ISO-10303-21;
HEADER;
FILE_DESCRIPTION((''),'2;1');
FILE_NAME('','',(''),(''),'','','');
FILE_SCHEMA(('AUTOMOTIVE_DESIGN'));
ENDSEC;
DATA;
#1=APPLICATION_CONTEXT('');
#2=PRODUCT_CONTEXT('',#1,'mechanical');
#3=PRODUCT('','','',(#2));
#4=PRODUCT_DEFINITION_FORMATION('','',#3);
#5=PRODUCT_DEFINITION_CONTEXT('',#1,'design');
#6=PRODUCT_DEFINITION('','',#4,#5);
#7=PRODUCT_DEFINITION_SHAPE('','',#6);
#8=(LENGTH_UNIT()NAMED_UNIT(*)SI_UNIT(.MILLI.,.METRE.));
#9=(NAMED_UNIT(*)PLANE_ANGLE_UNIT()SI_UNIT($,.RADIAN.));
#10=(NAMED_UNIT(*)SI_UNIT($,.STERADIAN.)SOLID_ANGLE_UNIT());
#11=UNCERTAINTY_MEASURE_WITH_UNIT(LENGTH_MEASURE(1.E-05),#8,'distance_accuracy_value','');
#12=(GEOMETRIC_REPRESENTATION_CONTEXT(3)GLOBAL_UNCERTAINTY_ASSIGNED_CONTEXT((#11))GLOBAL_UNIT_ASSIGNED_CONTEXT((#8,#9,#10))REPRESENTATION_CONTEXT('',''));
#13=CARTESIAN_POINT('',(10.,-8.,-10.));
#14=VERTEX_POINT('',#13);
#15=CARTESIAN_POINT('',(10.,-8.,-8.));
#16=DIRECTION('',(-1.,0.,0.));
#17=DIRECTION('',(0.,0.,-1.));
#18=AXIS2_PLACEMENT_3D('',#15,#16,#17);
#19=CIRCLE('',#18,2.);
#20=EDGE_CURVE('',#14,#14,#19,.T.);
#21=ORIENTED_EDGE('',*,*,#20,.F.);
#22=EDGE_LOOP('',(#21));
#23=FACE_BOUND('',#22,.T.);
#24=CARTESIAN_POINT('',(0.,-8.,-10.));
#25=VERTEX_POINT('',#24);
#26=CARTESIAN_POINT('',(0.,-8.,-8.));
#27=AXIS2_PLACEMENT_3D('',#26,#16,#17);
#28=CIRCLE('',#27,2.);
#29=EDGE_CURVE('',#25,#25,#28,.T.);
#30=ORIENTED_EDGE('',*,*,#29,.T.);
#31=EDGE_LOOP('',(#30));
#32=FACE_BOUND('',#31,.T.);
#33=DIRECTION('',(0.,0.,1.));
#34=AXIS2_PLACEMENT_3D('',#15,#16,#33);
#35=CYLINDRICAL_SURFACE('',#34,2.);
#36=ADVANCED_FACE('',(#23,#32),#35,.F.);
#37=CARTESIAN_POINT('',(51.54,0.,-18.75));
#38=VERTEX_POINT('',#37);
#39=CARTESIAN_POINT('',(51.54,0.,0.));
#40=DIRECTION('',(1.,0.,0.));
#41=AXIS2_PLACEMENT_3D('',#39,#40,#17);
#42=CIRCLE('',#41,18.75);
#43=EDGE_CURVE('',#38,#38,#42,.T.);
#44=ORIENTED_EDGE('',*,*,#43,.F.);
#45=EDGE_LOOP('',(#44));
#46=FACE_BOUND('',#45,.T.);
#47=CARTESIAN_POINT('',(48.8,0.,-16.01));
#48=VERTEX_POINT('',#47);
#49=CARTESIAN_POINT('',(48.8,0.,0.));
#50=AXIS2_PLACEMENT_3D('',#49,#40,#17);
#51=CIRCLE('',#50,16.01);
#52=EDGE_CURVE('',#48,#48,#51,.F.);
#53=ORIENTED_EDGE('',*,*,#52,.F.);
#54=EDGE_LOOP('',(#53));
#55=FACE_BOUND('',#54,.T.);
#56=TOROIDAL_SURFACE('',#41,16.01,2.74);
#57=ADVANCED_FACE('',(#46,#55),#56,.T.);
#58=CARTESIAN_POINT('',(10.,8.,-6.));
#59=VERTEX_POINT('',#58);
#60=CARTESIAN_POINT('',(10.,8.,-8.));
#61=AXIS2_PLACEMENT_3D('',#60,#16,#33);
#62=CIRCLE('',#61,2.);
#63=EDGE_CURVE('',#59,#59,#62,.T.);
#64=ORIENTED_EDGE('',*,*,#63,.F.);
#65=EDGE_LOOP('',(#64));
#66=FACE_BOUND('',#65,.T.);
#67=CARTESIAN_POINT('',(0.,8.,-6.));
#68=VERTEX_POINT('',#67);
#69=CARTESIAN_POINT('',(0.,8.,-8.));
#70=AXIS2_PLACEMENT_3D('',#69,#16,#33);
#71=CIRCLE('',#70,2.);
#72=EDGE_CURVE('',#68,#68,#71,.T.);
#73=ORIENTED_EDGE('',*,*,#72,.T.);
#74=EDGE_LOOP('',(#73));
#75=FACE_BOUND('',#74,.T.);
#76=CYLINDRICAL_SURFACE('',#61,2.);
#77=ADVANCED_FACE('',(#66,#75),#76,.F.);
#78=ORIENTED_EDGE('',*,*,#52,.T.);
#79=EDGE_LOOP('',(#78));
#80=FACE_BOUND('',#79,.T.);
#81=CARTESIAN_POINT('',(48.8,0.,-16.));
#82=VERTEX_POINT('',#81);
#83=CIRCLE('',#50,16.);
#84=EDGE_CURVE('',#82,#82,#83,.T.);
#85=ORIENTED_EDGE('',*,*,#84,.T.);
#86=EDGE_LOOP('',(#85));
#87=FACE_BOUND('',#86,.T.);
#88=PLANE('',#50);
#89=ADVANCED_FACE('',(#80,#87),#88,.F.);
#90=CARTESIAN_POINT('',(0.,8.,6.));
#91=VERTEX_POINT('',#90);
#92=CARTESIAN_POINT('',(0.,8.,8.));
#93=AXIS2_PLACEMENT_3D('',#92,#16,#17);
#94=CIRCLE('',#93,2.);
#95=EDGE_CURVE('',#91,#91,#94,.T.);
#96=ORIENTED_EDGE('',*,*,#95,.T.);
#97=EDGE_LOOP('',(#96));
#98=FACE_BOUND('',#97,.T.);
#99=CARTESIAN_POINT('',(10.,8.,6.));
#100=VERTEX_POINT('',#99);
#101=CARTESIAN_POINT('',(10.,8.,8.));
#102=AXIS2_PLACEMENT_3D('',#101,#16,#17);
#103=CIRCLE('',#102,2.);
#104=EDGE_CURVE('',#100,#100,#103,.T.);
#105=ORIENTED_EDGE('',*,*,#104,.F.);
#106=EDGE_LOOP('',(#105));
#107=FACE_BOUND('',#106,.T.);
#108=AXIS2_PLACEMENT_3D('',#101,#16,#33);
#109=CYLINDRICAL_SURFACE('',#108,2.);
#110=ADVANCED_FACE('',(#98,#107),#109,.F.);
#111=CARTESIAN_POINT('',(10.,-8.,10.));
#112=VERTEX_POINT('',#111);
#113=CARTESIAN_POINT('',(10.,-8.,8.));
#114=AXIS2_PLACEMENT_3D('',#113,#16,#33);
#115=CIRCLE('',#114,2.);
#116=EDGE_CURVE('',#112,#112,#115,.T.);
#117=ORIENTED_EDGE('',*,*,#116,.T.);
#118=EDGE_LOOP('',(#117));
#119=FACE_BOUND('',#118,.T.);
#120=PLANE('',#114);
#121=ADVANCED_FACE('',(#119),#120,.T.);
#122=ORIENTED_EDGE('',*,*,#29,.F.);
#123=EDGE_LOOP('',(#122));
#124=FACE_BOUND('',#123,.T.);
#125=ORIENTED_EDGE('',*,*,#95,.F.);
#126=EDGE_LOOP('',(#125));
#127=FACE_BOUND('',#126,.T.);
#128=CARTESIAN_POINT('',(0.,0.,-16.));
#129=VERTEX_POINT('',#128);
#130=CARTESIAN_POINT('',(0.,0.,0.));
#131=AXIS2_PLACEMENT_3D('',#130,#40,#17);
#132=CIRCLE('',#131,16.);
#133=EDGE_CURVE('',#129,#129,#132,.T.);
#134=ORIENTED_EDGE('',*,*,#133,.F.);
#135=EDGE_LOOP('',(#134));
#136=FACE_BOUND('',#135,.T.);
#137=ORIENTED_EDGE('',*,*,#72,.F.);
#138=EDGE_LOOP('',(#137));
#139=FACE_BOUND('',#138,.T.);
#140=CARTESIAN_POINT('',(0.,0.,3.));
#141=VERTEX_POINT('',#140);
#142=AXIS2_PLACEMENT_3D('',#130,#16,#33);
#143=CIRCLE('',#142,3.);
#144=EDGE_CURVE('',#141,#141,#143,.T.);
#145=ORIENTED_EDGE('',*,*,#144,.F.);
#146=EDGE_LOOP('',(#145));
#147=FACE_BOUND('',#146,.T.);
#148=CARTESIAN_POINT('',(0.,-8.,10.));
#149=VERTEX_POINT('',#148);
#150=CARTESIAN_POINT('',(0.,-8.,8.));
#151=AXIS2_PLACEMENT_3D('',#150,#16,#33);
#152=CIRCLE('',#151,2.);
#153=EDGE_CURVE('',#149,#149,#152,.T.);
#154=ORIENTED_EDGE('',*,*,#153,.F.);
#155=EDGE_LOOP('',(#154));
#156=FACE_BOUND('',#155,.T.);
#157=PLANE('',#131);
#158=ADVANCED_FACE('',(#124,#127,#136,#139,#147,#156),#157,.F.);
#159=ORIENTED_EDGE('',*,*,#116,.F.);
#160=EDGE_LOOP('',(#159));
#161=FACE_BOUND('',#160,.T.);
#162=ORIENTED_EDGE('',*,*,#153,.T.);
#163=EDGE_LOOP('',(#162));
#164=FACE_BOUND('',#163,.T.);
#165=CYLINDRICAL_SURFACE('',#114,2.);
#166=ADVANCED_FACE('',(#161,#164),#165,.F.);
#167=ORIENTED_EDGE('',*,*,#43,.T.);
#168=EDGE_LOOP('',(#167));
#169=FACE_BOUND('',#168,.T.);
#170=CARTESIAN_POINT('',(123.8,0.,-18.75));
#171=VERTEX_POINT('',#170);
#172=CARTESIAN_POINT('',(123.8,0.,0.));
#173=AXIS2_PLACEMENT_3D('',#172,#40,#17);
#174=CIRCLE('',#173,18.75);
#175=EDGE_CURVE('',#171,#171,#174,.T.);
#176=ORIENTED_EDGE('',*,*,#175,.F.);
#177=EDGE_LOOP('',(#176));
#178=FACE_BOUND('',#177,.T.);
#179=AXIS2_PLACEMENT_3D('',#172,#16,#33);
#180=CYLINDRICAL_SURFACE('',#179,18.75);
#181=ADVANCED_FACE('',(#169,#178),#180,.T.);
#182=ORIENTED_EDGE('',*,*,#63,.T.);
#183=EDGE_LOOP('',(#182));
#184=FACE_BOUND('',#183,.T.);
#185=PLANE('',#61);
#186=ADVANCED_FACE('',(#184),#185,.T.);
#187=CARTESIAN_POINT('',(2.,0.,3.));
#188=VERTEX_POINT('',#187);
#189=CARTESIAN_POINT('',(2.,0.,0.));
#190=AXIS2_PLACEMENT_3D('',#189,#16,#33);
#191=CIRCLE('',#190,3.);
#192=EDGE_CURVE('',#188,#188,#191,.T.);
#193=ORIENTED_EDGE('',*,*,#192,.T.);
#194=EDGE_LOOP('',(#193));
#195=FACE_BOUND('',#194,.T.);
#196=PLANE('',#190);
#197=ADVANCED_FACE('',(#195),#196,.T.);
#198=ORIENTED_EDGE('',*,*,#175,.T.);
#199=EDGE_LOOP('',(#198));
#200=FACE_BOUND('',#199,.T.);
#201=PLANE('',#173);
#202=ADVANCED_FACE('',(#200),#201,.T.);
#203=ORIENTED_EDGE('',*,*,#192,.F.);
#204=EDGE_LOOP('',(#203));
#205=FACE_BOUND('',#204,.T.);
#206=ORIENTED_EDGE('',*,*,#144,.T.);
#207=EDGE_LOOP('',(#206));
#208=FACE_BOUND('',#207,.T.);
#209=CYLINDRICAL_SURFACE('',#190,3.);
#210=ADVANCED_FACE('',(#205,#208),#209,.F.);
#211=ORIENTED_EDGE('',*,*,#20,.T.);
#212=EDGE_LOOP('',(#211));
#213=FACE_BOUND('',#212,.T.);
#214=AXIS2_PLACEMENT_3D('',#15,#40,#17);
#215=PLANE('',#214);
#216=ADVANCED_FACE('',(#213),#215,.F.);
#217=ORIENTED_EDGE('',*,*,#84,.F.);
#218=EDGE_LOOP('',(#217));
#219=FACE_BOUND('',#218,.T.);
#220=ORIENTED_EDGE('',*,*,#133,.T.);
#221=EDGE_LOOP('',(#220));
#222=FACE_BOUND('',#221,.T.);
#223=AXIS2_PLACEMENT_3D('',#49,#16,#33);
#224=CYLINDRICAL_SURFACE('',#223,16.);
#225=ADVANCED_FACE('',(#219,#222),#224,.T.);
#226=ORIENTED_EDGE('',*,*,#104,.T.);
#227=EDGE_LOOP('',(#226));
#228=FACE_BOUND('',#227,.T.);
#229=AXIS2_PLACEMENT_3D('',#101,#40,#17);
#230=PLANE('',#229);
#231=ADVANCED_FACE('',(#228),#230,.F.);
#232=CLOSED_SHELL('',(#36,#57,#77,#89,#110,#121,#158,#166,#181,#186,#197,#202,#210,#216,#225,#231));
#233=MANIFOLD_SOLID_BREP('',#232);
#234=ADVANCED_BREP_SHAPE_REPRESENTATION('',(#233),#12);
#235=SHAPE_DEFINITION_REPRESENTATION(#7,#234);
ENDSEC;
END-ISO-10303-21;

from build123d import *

# Parameters (mm, degrees)
SKETCH2_R           = 16
BOSS_EXTRUDE1_DEPTH = 48.8
SKETCH3_R           = 18.75
BOSS_EXTRUDE2_DEPTH = 75
FILLET1_R           = 2.74
SKETCH4_R           = 3
CUT_EXTRUDE1_DEPTH  = 2
SKETCH5_R           = 2
CUT_EXTRUDE2_DEPTH  = 10


with BuildPart() as part:
    # Sketch2 → Boss-Extrude1 (new body)
    with BuildSketch(Plane(origin=(0, 0, 0), x_dir=(0, 0, -1), z_dir=(1, 0, 0))):
        Circle(SKETCH2_R)
    extrude(amount=BOSS_EXTRUDE1_DEPTH)

    # Sketch3 → Boss-Extrude2 (add)
    with BuildSketch(Plane(origin=(48.8, 0, 0), x_dir=(0, 0, -1), z_dir=(1, 0, 0))):
        Circle(SKETCH3_R)
    extrude(amount=BOSS_EXTRUDE2_DEPTH)

    # Fillet1
    fillet1_edges = [part.edges().sort_by_distance(p)[0] for p in [
        (48.8, 0, 18.75),
    ]]
    fillet(fillet1_edges, radius=FILLET1_R)

    # Sketch4 → Cut-Extrude1 (cut)
    with BuildSketch(Plane.ZY):
        Circle(SKETCH4_R)
    extrude(amount=-CUT_EXTRUDE1_DEPTH, mode=Mode.SUBTRACT)

    # Sketch5 → Cut-Extrude2 (cut)
    with BuildSketch(Plane.ZY):
        with Locations((-8, 8)):
            Circle(SKETCH5_R)
        with Locations(Location((8, 8, 0), (0, 0, 180))):
            Circle(SKETCH5_R)
        with Locations((8, -8)):
            Circle(SKETCH5_R)
        with Locations(Location((-8, -8, 0), (0, 0, 180))):
            Circle(SKETCH5_R)
    extrude(amount=-CUT_EXTRUDE2_DEPTH, mode=Mode.SUBTRACT)


solid = part.part
